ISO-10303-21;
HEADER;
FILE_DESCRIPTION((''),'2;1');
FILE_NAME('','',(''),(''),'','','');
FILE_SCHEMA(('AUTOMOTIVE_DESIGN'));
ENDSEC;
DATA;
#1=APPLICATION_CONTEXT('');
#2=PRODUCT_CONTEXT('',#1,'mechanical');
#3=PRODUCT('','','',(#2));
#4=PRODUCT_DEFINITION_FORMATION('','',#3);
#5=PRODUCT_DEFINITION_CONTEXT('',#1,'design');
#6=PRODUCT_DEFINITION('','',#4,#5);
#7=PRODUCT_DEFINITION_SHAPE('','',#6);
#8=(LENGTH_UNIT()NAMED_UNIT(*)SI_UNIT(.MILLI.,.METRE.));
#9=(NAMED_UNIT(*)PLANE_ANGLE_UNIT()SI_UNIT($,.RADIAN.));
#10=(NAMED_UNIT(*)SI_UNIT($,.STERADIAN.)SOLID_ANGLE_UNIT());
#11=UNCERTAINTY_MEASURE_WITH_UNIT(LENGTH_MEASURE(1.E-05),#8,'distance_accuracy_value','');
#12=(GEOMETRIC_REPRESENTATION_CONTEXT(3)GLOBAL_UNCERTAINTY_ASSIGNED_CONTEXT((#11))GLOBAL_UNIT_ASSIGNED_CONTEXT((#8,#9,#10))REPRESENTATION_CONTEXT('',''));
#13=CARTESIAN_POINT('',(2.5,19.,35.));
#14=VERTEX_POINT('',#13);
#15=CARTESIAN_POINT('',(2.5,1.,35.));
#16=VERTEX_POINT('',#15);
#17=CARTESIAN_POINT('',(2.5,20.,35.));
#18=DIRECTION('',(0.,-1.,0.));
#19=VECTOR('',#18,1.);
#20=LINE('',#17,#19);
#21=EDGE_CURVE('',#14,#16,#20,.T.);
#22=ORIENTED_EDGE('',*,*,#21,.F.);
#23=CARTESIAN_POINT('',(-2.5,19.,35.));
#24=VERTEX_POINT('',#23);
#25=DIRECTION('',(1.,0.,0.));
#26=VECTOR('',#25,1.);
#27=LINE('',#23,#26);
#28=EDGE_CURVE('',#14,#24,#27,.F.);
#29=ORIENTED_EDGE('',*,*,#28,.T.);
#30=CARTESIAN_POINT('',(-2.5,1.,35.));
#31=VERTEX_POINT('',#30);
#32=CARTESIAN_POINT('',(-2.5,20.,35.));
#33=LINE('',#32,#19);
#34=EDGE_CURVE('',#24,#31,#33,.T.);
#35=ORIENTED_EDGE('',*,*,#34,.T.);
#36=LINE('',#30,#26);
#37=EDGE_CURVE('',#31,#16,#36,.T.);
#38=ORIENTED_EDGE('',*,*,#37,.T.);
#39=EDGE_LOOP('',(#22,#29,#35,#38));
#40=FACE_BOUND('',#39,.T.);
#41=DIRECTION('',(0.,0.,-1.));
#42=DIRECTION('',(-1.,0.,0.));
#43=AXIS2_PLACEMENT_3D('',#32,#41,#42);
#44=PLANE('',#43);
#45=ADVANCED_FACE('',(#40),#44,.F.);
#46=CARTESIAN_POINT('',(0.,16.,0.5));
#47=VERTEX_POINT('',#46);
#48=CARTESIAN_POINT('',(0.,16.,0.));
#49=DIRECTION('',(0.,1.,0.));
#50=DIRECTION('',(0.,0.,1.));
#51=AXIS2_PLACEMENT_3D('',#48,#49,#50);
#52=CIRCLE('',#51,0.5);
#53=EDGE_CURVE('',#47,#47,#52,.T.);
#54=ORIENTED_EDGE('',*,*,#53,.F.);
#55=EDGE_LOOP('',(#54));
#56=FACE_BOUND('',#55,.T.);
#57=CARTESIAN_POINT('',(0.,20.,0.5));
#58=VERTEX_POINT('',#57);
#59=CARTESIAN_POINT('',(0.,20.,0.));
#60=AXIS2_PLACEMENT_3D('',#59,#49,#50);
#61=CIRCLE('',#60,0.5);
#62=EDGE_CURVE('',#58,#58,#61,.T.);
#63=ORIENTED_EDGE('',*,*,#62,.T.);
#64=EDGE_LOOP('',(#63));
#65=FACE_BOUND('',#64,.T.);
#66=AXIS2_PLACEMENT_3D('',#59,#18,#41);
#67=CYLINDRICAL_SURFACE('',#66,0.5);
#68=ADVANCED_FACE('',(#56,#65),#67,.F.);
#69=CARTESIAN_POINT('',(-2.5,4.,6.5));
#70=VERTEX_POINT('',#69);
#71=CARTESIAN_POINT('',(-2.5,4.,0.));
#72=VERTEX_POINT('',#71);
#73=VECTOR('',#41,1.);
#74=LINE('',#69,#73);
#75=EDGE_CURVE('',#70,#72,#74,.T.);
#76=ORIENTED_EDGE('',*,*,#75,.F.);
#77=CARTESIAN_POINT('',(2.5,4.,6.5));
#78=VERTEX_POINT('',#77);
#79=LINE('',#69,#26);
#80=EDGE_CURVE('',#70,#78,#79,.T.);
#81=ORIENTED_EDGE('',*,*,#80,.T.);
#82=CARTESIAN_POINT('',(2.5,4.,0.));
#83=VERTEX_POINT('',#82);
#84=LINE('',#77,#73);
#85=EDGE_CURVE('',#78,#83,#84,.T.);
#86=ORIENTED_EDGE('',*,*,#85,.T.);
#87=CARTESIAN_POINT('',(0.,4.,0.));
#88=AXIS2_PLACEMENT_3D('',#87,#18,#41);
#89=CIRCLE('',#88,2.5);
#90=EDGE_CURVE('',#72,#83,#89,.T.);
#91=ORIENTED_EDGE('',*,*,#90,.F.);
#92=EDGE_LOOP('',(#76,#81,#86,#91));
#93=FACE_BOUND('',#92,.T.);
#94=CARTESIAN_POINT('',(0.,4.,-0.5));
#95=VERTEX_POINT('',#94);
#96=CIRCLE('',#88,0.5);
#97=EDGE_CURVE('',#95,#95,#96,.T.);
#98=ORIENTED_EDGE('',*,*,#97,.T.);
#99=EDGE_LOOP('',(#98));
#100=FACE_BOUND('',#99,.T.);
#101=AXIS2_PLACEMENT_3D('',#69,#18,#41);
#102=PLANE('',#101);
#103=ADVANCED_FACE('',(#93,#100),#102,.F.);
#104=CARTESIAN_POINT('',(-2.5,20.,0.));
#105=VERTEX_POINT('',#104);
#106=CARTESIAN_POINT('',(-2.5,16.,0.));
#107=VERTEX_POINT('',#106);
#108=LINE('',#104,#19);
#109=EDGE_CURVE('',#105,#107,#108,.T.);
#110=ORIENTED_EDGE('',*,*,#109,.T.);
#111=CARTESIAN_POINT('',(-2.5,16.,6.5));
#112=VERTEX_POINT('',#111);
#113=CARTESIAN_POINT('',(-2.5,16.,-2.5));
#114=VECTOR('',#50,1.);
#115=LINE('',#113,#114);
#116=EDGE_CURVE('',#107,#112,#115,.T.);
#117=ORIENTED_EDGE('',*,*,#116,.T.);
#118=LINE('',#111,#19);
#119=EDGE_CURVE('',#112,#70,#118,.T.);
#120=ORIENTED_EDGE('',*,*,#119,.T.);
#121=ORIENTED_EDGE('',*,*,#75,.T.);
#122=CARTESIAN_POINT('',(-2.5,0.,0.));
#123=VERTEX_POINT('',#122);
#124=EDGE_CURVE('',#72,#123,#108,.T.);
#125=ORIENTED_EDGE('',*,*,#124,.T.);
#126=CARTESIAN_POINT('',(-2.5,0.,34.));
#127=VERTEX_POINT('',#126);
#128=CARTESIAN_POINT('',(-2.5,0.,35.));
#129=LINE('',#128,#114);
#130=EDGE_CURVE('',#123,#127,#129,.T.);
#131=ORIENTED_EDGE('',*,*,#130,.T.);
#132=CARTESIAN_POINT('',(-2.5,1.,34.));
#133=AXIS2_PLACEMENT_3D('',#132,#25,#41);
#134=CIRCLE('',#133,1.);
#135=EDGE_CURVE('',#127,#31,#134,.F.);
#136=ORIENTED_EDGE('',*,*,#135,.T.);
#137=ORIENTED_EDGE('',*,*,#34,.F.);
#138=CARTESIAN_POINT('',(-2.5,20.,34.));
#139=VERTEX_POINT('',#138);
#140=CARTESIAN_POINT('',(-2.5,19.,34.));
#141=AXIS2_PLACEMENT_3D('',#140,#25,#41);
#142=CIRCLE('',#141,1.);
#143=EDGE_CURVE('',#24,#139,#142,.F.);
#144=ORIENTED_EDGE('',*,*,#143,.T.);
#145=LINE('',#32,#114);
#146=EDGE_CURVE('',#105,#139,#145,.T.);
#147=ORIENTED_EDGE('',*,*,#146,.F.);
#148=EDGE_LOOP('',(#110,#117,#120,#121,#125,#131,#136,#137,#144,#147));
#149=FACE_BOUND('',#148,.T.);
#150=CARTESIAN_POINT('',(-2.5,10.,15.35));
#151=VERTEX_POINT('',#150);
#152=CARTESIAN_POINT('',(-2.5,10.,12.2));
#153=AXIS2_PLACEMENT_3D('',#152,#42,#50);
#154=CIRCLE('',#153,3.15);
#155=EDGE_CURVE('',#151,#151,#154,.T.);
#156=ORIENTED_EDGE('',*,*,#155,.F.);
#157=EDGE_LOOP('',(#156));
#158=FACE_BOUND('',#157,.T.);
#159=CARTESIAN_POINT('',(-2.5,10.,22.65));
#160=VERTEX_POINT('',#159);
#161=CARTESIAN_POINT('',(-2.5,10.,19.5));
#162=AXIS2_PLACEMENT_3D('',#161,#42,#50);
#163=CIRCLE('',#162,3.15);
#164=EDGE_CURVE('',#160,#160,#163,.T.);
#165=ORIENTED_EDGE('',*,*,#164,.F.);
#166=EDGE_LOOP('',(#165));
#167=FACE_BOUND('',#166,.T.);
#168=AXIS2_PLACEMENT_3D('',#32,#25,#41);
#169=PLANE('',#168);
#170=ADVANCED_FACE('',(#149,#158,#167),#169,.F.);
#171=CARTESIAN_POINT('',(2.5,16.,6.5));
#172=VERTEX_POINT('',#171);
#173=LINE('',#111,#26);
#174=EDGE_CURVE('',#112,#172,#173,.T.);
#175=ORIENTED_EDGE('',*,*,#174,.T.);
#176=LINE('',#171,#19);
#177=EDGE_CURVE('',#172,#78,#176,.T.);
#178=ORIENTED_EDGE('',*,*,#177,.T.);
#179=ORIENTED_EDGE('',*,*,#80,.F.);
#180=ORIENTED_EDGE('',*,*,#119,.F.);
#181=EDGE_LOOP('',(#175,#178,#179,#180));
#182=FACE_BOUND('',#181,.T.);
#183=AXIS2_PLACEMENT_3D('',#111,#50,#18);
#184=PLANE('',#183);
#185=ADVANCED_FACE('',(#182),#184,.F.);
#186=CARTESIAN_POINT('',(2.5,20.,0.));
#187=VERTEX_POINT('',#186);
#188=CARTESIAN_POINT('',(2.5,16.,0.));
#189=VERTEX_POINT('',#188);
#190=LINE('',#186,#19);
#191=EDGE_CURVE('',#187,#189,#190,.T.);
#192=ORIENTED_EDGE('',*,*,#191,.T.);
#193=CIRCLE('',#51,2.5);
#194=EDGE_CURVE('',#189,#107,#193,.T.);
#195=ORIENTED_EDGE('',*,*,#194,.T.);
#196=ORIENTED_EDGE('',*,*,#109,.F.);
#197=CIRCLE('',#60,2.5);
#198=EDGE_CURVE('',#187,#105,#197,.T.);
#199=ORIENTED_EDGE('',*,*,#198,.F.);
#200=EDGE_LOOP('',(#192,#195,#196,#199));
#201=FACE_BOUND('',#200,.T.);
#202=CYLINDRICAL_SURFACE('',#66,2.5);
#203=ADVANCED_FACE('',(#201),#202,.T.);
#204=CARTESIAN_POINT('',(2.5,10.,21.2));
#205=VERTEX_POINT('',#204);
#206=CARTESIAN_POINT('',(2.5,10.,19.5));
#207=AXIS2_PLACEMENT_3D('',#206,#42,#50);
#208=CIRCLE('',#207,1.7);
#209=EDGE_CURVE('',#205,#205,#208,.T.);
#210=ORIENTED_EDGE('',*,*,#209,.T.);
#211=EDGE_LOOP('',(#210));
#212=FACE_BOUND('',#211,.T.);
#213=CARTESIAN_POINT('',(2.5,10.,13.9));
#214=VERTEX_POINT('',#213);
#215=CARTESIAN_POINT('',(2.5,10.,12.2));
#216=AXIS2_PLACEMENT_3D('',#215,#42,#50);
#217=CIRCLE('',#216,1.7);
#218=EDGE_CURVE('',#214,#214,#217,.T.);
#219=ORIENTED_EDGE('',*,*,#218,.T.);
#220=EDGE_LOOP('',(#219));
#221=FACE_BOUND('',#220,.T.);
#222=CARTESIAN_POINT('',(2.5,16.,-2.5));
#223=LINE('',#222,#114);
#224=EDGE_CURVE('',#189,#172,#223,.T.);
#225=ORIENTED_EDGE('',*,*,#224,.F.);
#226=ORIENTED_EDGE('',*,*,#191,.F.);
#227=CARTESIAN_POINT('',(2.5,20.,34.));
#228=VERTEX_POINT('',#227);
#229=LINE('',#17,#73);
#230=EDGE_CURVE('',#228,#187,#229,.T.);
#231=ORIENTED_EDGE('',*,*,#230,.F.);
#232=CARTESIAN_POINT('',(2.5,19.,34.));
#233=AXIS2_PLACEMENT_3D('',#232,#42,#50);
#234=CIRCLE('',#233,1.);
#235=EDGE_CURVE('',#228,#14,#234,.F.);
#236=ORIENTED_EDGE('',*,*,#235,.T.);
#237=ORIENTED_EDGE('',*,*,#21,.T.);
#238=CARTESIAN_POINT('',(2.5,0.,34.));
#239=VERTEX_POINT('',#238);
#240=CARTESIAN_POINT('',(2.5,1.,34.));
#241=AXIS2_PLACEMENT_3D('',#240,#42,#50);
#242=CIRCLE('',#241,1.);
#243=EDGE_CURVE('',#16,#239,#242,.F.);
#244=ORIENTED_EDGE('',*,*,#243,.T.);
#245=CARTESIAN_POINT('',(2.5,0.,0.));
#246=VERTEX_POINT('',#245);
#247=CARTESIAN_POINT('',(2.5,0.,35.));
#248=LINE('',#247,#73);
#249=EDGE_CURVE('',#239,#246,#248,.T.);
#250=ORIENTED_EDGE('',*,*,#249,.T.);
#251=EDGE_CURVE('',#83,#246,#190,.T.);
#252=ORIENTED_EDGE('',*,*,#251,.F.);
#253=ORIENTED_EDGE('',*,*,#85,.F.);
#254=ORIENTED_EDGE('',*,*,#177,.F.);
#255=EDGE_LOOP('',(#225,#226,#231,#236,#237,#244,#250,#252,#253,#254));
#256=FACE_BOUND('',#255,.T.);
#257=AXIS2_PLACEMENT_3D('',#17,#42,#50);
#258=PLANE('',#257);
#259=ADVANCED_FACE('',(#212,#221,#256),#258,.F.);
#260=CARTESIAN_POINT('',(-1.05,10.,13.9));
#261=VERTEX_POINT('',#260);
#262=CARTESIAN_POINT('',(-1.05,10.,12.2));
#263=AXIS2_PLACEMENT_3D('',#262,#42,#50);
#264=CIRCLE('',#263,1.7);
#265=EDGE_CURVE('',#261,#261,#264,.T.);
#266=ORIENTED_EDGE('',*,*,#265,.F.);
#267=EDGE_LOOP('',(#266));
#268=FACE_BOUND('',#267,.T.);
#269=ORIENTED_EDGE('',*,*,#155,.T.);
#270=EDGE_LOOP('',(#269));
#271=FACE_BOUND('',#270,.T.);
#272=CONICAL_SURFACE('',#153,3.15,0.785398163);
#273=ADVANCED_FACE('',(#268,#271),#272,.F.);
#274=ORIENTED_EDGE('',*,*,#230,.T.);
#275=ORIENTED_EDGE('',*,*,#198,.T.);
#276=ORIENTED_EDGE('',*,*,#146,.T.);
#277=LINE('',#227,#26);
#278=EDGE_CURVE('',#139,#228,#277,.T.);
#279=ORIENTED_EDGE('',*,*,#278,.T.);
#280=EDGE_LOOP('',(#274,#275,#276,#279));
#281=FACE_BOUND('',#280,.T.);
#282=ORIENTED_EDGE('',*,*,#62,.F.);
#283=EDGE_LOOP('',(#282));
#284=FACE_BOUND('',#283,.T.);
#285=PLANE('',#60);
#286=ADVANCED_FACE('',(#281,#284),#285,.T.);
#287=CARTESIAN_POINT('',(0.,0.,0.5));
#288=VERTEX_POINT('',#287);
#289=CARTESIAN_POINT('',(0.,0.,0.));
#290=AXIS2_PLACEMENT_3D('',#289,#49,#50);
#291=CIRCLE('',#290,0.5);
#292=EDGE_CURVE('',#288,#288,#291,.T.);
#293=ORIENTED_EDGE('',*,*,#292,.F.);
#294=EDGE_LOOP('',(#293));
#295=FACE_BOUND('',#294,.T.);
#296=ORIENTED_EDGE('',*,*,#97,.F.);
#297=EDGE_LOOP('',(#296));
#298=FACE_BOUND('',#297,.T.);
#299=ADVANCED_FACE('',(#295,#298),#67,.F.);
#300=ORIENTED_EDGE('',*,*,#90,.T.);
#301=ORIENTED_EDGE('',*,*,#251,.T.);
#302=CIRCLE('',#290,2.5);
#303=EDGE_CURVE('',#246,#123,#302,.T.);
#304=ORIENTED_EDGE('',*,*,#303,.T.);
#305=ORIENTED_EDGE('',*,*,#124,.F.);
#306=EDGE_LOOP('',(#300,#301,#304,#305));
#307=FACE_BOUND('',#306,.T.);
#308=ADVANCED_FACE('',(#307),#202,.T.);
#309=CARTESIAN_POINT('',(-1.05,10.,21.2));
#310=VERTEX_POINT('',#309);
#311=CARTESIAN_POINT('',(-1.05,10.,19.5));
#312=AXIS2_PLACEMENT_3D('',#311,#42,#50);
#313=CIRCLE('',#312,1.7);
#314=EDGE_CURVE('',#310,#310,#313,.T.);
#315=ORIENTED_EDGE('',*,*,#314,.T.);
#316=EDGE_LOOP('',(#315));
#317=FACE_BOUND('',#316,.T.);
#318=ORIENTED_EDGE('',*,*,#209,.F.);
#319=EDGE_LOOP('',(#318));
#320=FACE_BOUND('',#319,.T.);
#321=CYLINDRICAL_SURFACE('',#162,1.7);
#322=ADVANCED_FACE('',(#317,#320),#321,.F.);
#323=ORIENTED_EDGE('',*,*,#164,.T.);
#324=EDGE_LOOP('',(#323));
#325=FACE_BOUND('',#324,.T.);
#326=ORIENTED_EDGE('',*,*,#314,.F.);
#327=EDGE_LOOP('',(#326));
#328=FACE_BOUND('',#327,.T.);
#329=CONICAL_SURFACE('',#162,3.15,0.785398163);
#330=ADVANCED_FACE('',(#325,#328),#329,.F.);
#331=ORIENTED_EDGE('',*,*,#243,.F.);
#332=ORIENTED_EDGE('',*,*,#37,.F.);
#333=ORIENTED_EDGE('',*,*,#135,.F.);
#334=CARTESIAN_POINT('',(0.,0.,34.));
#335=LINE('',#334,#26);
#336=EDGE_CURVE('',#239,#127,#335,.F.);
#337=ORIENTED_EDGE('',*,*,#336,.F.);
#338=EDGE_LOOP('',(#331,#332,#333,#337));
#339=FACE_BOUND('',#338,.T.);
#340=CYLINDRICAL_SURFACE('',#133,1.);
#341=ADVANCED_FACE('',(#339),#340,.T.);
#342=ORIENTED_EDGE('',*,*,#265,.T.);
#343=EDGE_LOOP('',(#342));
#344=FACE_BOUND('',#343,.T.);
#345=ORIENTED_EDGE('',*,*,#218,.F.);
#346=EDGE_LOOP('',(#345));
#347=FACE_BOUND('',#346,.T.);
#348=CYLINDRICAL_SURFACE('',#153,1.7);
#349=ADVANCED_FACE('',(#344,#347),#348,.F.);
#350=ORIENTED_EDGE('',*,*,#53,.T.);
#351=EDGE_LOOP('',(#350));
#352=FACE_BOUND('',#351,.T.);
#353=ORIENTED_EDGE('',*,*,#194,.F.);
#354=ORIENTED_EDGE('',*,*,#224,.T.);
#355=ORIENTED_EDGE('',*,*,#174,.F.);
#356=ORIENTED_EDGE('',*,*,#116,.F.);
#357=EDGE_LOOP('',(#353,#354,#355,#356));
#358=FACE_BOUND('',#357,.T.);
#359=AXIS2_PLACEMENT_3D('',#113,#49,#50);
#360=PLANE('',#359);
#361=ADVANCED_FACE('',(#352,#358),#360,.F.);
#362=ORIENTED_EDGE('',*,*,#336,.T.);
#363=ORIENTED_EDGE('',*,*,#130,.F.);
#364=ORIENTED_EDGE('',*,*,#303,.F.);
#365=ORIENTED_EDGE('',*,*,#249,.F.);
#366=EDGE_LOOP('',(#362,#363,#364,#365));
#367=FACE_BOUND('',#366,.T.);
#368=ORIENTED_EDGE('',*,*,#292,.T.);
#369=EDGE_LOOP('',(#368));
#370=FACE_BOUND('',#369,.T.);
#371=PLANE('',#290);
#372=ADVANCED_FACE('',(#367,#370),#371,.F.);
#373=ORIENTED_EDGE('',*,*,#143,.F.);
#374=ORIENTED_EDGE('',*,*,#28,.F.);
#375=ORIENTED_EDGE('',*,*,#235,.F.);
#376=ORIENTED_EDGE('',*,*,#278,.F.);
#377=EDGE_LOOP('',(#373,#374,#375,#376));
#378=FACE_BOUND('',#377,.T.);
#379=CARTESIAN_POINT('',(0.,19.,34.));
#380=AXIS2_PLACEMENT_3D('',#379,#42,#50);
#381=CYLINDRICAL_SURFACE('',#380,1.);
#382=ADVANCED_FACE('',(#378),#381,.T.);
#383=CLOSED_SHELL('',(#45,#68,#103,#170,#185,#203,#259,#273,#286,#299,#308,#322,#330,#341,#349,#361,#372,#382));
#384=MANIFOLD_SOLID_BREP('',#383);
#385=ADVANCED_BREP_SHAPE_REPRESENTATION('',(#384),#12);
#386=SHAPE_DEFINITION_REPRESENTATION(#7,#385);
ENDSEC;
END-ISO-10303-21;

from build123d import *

# Parameters (mm, degrees)
SKETCHSIDE_R                          = 0.5
BOSSEXTRUDESIDE_DEPTH                 = 20
CUTEXTRUDEDISTALROOM_DEPTH            = 41.388736054
CUTEXTRUDEDISTALROOM_DEPTH_BACK       = 41.388736054
SKETCHDISTALROOM_W                    = 9
SKETCHDISTALROOM_H                    = 12
FILLETBUTTOM_R                        = 1
CSKM3FLATHEADMACHINESCREW_D           = 3.4
CSKM3FLATHEADMACHINESCREW_CSINK_D     = 6.3
CSKM3FLATHEADMACHINESCREW_CSINK_ANGLE = 90


with BuildPart() as part:
    # SketchSide → BossExtrudeSide (new body)
    with BuildSketch(Plane(origin=(0, 0, 0), x_dir=(1, 0, 0), z_dir=(0, 1, 0))):
        with BuildLine():
            Line((-2.5, -35), (2.5, -35))
            Line((2.5, -35), (2.5, 0))
            ThreePointArc((2.5, 0), (0, 2.5), (-2.5, 0))
            Line((-2.5, 0), (-2.5, -35))
        make_face()
        with Locations(Location((0, 0, 0), (0, 0, 270))):
            Circle(SKETCHSIDE_R, mode=Mode.SUBTRACT)
    extrude(amount=BOSSEXTRUDESIDE_DEPTH)

    # SketchDistalRoom → CutExtrudeDistalRoom (cut, two sides: drawn at the far end of the back side and taken through both)
    with BuildSketch(Plane(origin=(0, 0, 0), x_dir=(0, 0, -1), z_dir=(1, 0, 0)).offset(-CUTEXTRUDEDISTALROOM_DEPTH_BACK)):
        with Locations((-2, 10)):
            Rectangle(SKETCHDISTALROOM_W, SKETCHDISTALROOM_H)
    extrude(amount=CUTEXTRUDEDISTALROOM_DEPTH + CUTEXTRUDEDISTALROOM_DEPTH_BACK, mode=Mode.SUBTRACT)

    # FilletButtom
    filletbuttom_edges = [part.edges().sort_by_distance(p)[0] for p in [
        (0, 0, 35),
        (0, 20, 35),
    ]]
    fillet(filletbuttom_edges, radius=FILLETBUTTOM_R)

    # CSKM3FlatHeadMachineScrew (through all)
    with Locations(Plane(origin=(-2.5, 10, 12.2), x_dir=(0, 0, -1), z_dir=(-1, 0, 0))):
        with Locations((0, 0), (-7.3, 0)):
            CounterSinkHole(CSKM3FLATHEADMACHINESCREW_D / 2, CSKM3FLATHEADMACHINESCREW_CSINK_D / 2, counter_sink_angle=CSKM3FLATHEADMACHINESCREW_CSINK_ANGLE)


solid = part.part
